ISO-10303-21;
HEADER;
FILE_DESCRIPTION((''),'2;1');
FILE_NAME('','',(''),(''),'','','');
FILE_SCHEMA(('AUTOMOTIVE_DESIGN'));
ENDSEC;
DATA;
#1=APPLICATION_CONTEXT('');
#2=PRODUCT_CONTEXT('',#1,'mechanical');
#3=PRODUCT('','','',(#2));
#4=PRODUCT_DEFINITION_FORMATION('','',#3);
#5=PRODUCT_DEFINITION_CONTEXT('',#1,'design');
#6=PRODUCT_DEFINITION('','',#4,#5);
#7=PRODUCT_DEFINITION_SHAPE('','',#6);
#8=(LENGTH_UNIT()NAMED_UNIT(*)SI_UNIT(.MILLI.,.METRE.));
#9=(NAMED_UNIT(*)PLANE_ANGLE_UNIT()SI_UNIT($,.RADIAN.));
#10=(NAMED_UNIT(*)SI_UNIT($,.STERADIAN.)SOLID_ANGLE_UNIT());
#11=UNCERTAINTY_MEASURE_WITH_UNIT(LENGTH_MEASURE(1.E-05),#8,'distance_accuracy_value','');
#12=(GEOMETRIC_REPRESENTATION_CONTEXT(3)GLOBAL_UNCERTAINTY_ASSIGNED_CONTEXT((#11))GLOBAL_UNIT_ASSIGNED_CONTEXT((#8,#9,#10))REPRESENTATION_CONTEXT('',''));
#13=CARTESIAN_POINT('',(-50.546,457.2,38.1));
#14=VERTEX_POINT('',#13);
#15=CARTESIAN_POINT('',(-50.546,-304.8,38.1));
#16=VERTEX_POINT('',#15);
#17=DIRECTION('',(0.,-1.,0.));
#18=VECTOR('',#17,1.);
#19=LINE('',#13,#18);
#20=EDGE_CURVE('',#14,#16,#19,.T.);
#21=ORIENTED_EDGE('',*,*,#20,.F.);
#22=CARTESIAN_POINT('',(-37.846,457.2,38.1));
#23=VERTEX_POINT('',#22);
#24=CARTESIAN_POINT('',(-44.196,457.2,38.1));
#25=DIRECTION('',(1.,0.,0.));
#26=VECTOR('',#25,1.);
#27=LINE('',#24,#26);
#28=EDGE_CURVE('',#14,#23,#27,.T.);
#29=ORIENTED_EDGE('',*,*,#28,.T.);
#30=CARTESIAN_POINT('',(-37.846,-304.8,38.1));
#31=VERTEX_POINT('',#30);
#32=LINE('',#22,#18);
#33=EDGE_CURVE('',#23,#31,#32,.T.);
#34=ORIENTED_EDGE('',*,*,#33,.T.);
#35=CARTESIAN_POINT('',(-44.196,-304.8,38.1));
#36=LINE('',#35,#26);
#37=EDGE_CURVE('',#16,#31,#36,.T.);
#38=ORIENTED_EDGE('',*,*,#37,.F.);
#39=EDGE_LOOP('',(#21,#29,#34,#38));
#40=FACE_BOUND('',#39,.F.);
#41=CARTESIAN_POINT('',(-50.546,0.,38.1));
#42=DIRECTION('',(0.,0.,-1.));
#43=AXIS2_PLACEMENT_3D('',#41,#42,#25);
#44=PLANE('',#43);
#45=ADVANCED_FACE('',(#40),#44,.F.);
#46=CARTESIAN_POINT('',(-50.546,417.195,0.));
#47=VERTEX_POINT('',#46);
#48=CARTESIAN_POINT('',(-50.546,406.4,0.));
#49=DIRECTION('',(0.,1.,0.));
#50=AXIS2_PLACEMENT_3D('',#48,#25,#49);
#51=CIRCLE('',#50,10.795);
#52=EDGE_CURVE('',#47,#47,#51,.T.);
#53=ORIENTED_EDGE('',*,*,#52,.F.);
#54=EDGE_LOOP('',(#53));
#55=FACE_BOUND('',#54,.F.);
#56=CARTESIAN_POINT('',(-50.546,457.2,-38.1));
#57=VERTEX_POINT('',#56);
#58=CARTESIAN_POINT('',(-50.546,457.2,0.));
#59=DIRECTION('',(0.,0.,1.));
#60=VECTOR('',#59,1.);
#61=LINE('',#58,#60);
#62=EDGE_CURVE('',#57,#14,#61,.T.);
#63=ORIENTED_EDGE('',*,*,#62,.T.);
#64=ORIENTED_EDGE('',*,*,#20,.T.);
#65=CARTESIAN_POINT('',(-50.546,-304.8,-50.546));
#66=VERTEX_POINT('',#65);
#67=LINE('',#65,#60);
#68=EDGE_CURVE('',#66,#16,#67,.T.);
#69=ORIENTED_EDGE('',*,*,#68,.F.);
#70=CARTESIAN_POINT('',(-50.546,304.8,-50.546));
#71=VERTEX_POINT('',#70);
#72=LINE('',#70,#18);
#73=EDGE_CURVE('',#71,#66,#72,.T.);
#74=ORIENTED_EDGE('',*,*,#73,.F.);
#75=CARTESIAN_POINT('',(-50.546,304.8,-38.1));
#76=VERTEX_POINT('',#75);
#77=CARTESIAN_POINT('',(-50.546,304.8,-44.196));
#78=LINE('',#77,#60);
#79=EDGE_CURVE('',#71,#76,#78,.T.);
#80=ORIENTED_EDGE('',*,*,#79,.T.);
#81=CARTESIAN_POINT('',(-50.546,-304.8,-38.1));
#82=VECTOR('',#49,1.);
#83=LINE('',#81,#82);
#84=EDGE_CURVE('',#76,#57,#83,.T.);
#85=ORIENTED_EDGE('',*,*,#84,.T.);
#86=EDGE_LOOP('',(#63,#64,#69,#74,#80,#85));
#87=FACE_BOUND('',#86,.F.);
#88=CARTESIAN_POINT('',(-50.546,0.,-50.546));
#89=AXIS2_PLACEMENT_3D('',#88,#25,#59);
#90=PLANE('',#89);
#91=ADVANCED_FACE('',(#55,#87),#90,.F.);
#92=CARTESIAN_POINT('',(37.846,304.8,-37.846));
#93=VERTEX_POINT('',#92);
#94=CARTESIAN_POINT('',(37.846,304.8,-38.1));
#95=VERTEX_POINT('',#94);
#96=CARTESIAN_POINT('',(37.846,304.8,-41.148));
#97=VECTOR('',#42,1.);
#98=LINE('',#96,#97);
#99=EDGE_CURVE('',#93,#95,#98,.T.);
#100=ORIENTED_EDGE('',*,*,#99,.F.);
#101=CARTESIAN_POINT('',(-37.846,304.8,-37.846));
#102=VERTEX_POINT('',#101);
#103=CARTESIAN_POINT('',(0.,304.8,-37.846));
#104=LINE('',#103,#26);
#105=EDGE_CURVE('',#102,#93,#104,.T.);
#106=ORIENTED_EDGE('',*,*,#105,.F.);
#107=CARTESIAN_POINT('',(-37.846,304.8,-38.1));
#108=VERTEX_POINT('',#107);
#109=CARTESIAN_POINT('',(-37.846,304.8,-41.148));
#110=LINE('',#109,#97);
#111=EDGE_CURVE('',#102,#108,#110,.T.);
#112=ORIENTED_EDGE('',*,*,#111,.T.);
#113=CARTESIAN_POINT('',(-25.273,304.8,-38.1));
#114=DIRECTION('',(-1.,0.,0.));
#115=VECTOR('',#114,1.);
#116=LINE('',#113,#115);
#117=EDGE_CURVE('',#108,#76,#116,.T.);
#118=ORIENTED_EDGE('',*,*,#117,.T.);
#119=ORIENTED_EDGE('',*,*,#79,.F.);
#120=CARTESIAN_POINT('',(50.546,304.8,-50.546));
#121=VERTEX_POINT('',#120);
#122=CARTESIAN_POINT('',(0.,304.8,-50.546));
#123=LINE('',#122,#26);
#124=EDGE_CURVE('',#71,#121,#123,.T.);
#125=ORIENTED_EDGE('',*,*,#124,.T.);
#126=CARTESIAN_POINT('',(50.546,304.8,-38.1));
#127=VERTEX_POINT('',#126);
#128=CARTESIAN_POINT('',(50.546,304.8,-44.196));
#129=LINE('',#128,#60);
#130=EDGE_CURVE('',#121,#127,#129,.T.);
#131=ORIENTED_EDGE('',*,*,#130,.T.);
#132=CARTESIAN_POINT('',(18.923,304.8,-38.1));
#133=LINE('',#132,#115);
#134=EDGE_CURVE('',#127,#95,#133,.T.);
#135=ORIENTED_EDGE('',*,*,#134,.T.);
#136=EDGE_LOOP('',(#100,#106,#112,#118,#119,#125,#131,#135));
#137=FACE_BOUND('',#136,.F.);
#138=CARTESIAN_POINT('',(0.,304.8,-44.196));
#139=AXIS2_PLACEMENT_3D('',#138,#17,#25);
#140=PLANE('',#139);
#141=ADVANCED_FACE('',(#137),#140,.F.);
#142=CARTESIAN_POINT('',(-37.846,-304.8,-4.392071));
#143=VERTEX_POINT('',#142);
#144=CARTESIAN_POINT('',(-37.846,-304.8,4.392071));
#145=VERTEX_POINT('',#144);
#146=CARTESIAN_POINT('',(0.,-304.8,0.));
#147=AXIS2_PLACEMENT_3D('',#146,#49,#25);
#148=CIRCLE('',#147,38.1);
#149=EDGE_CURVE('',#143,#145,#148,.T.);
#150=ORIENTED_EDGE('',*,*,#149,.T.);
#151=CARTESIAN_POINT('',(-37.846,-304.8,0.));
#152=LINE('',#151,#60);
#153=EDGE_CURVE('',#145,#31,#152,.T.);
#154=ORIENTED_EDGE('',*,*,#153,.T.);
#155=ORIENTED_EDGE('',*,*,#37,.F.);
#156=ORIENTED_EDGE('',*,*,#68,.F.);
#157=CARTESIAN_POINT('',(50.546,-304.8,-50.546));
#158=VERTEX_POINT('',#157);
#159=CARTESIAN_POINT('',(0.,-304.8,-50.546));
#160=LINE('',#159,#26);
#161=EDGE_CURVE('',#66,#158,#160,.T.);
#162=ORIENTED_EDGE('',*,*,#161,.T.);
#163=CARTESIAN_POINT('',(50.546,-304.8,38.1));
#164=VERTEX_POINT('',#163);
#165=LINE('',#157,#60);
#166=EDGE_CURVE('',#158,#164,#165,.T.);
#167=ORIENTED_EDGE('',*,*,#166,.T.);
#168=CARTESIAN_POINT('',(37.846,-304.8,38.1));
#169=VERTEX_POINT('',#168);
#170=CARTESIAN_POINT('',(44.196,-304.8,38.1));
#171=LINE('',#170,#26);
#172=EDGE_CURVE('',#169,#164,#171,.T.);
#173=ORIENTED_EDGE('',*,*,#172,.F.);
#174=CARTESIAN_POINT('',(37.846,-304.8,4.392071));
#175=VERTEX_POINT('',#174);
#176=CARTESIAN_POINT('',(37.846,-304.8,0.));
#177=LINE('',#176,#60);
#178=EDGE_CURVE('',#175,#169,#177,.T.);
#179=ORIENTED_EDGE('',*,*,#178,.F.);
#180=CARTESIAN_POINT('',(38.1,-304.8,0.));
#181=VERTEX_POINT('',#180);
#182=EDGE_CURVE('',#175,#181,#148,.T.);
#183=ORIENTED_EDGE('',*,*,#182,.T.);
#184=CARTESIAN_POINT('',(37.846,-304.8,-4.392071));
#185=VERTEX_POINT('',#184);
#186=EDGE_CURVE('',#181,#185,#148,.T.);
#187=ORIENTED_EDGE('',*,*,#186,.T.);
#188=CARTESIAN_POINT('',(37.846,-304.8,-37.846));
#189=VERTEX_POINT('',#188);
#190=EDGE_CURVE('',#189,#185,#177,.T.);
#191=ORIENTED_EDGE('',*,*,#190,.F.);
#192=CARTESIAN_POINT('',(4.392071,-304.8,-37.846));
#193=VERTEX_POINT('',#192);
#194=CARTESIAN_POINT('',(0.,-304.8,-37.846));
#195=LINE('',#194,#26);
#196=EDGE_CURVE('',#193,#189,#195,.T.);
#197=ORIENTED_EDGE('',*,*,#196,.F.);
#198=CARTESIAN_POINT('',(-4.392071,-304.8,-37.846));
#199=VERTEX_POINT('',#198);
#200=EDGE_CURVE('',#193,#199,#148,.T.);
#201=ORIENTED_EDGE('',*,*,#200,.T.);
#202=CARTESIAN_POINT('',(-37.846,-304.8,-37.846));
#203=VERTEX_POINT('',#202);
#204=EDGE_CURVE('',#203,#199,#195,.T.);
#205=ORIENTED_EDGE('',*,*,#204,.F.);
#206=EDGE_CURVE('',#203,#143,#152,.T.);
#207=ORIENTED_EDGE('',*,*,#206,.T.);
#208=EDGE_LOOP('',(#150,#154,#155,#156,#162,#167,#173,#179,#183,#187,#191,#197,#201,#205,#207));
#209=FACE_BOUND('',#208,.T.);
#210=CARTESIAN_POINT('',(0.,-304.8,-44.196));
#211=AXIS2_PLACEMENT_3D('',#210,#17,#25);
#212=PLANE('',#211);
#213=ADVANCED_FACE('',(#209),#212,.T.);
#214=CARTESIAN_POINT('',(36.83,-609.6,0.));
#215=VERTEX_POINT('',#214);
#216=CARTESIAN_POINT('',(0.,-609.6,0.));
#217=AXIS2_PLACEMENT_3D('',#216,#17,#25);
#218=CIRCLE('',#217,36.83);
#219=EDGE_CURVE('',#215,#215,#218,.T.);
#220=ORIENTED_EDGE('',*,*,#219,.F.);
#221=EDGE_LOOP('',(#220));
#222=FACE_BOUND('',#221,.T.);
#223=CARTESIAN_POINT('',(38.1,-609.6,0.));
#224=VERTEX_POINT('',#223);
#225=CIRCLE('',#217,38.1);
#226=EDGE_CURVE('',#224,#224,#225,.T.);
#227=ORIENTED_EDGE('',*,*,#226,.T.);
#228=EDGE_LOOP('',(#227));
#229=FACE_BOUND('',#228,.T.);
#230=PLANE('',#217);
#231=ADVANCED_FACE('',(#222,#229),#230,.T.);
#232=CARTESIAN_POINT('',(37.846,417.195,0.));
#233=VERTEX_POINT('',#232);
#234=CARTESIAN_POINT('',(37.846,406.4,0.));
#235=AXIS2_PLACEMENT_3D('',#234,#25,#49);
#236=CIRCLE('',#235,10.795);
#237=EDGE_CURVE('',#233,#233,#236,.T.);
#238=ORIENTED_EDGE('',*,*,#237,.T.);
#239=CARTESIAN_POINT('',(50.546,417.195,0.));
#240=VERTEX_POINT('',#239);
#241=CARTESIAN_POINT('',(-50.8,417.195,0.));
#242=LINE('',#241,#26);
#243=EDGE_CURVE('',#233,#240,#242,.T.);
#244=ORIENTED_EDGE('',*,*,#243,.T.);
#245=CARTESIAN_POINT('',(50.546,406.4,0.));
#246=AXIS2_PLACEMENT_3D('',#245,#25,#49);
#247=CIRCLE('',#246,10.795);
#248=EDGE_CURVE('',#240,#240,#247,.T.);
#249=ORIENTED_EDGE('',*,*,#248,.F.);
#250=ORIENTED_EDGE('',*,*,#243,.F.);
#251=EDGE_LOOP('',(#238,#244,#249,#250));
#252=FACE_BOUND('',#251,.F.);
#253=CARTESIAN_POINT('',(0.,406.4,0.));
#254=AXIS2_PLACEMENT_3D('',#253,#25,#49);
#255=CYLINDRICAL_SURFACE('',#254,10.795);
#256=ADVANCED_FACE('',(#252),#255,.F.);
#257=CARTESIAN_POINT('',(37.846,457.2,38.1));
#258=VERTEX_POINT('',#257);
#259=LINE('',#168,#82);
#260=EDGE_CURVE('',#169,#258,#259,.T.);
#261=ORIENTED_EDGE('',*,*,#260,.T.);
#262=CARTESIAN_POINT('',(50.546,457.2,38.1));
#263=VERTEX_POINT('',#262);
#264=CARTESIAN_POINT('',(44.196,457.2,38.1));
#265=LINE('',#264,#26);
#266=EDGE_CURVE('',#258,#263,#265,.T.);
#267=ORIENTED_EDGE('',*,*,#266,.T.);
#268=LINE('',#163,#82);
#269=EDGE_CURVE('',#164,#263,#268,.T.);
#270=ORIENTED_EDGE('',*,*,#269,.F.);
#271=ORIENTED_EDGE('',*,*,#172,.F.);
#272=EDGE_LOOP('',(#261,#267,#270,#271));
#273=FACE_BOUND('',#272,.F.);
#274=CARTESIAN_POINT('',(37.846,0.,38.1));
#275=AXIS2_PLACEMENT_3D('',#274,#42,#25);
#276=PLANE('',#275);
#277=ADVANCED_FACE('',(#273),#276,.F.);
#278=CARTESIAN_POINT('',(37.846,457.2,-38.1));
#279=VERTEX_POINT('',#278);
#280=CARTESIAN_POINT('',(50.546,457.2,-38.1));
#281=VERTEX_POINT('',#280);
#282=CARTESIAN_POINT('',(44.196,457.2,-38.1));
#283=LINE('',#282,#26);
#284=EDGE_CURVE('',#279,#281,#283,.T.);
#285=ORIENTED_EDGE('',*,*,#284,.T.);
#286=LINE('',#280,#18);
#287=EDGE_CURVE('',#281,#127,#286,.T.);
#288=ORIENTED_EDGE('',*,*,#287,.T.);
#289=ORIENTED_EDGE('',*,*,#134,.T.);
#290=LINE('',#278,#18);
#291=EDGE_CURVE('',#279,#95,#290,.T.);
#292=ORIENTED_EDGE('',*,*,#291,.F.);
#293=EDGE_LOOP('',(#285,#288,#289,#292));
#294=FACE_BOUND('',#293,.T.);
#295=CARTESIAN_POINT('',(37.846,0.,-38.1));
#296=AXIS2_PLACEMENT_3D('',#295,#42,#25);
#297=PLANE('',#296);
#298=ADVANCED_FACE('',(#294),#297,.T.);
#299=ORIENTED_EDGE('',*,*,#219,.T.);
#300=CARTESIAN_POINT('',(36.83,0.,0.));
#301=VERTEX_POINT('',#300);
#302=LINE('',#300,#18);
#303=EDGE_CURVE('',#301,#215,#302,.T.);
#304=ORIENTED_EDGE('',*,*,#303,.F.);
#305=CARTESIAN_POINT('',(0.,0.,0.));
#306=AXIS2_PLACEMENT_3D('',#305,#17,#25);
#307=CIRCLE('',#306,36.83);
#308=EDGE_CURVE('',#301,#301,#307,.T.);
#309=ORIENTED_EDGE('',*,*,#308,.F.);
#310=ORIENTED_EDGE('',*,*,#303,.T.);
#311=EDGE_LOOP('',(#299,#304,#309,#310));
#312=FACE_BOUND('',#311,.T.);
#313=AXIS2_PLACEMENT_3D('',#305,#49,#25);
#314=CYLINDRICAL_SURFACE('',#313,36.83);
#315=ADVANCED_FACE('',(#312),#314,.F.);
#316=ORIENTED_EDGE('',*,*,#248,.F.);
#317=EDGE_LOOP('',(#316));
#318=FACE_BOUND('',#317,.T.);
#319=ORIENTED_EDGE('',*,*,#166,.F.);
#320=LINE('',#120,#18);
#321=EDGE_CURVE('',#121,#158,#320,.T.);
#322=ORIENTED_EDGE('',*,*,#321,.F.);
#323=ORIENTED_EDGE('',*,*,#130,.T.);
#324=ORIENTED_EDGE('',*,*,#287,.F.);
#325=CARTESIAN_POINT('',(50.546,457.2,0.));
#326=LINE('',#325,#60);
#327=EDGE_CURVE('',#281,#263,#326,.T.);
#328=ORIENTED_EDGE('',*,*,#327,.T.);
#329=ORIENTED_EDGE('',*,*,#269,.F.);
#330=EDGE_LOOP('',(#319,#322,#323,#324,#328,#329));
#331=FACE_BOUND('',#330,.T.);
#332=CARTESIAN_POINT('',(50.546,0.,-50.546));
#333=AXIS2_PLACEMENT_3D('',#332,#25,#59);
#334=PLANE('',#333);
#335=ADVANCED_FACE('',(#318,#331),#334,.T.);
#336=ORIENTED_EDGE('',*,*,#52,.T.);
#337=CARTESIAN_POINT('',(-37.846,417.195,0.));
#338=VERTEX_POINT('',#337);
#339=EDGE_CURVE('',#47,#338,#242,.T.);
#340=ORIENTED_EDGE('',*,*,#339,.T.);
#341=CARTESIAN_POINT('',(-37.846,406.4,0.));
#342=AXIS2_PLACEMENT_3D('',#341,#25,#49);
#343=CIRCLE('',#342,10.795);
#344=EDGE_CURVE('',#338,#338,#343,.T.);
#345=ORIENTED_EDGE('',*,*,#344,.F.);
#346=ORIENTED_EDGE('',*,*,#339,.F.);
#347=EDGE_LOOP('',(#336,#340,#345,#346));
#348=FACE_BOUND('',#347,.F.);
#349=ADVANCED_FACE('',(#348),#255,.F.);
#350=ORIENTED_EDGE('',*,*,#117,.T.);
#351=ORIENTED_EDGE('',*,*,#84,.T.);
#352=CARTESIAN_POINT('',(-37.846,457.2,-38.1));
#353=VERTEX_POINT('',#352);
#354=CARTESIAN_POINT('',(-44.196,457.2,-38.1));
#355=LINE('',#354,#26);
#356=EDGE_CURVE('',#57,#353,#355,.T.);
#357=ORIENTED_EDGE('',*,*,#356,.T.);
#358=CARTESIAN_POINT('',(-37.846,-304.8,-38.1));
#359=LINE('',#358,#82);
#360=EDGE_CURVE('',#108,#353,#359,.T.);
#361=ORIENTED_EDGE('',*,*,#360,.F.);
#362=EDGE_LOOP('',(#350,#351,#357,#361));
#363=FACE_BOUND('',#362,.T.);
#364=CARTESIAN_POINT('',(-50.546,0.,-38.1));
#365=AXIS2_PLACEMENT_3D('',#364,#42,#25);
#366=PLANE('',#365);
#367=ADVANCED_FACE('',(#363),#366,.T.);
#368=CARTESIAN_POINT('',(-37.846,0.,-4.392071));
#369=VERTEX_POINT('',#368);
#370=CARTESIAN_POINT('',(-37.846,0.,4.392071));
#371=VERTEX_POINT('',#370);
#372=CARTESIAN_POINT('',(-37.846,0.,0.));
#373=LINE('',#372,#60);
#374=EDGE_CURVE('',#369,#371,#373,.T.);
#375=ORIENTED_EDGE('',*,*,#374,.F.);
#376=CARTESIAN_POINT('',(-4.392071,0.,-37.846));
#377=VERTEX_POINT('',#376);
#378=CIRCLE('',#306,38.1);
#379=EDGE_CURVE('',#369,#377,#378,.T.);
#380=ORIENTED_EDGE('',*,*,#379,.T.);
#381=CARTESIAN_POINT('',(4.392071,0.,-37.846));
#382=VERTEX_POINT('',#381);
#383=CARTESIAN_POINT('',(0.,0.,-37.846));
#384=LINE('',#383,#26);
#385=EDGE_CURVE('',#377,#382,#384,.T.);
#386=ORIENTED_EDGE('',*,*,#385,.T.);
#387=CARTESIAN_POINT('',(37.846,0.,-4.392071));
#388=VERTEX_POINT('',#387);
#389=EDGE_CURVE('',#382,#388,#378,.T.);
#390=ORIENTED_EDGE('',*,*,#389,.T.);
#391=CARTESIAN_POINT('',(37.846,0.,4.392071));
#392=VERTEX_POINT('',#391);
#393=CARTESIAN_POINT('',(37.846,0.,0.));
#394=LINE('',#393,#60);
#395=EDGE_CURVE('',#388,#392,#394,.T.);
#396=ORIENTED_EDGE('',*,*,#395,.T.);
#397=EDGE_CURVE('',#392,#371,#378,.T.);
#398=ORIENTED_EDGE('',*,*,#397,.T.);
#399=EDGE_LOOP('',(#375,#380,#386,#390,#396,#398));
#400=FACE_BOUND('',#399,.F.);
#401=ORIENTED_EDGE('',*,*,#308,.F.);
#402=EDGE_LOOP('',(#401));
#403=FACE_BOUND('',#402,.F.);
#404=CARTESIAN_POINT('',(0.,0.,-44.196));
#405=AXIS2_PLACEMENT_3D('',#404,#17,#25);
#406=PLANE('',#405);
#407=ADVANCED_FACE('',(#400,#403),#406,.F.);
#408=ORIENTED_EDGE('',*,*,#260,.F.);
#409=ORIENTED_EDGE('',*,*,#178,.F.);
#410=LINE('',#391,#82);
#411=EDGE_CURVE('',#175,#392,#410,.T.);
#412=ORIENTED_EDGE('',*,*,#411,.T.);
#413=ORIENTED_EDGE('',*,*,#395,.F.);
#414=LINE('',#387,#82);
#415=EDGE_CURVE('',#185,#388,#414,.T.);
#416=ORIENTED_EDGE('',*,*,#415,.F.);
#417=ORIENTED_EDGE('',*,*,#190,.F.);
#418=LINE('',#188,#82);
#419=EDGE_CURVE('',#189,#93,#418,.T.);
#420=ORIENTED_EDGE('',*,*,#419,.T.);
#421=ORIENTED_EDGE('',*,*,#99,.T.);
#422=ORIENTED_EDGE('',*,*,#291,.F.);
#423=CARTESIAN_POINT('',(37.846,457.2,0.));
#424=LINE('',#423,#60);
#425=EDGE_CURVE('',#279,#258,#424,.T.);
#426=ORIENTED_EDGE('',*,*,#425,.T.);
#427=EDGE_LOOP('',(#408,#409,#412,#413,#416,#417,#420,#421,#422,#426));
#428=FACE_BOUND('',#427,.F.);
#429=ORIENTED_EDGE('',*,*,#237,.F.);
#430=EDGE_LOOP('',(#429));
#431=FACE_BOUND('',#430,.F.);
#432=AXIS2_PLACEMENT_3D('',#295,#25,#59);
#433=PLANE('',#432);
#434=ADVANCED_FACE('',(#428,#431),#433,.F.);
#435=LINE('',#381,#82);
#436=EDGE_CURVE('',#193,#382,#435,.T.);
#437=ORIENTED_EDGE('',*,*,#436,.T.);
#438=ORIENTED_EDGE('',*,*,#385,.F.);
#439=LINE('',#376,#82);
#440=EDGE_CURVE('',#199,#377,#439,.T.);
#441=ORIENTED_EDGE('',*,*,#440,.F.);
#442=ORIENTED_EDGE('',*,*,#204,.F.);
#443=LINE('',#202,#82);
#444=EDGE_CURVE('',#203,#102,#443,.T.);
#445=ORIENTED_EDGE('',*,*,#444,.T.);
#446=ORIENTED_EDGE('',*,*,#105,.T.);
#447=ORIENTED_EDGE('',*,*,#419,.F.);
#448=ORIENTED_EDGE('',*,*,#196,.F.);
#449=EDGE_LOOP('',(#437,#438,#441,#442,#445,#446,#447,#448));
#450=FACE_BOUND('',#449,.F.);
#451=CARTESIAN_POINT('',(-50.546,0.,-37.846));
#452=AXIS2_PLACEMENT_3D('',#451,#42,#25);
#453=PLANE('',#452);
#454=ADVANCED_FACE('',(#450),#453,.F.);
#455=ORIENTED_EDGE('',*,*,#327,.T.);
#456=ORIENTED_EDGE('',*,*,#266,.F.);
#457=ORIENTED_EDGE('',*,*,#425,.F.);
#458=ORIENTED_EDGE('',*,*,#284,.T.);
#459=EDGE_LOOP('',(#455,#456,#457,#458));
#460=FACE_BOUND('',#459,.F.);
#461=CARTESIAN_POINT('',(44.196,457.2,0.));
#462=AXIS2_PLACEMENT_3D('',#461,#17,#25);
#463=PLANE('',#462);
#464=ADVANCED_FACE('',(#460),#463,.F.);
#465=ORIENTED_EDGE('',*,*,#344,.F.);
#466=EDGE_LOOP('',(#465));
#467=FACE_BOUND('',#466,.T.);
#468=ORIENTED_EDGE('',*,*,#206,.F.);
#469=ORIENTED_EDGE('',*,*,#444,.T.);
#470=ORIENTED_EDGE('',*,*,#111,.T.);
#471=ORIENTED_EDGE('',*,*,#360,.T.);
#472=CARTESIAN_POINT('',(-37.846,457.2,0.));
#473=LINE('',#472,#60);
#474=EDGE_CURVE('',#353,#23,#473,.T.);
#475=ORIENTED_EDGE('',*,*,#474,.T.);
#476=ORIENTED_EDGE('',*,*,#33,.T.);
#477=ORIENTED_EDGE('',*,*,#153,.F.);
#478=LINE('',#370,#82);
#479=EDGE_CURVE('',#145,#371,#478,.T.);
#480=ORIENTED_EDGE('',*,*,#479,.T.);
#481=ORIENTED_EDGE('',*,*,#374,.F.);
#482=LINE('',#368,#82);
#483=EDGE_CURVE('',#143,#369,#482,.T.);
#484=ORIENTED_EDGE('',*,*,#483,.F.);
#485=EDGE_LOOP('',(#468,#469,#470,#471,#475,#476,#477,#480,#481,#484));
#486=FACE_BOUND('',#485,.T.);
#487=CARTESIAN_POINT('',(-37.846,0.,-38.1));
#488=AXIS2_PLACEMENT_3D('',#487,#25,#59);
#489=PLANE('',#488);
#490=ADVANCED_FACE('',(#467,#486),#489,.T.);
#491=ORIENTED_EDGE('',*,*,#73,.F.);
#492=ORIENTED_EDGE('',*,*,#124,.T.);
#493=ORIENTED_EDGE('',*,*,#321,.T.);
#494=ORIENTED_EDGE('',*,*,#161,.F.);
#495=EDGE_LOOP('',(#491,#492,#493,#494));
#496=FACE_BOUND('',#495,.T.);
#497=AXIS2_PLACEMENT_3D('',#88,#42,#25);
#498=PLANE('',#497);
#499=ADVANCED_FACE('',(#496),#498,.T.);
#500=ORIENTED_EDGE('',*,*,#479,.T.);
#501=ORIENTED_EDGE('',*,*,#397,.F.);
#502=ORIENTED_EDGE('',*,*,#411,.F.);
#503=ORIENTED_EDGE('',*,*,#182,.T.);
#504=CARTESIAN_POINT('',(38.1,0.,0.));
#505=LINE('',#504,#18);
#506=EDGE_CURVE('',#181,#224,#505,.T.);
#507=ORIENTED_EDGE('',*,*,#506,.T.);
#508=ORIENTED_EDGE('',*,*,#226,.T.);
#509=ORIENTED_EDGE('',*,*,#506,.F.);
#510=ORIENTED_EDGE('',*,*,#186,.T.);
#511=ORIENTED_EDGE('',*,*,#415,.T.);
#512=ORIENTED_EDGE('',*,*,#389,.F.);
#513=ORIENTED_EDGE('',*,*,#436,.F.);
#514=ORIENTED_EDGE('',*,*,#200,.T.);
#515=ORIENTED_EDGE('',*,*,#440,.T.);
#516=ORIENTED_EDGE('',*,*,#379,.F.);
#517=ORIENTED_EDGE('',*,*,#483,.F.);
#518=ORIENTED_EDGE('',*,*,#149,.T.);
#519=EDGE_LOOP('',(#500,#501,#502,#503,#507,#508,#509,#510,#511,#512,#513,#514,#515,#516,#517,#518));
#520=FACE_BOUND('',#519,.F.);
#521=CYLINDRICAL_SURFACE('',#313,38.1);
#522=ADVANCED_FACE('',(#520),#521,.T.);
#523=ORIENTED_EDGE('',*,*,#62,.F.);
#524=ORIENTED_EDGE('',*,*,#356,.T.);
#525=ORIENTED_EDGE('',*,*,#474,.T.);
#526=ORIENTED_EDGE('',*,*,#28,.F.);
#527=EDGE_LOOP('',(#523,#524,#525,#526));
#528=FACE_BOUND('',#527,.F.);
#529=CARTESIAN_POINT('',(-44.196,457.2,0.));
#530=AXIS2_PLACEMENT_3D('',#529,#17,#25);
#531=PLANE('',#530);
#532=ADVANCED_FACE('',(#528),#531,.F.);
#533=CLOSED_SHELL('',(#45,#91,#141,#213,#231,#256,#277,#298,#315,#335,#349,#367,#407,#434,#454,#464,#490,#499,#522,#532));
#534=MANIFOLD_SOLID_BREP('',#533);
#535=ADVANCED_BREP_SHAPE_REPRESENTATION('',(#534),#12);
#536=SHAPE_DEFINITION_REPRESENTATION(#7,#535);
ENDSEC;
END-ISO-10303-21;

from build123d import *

# Parameters (mm, degrees)
F0_R     = 38.1
F0_R_2   = 36.83
F1_DEPTH = 609.6
F2_W     = 12.7
F2_H     = 76.2
F3_DEPTH = 304.8
F4_DEPTH = 457.2
F5_W     = 101.092
F5_H     = 12.7
F6_DEPTH = 304.8
F7_DEPTH = 304.8
F8_R     = 10.795
F9_DEPTH = 50.8


with BuildPart() as f1:
    # F0 (on Front) → F1 (new body)
    with BuildSketch(Plane.XZ):
        Circle(F0_R)
        Circle(F0_R_2, mode=Mode.SUBTRACT)
    extrude(amount=F1_DEPTH)

    # F2 (on Front) → F3 (join)
    with BuildSketch(Plane.XZ):
        with Locations((44.196, 0)):
            Rectangle(F2_W, F2_H)
        with Locations((-44.196, 0)):
            Rectangle(F2_W, F2_H)
    extrude(amount=F3_DEPTH)

    # F2 (on Front) → F4 (join)
    with BuildSketch(Plane.XZ):
        with Locations((44.196, 0)):
            Rectangle(F2_W, F2_H)
        with Locations((-44.196, 0)):
            Rectangle(F2_W, F2_H)
    extrude(amount=-F4_DEPTH)

    # F5 (on Front) → F6 (join)
    with BuildSketch(Plane.XZ):
        with Locations((0, -44.196)):
            Rectangle(F5_W, F5_H)
    extrude(amount=F6_DEPTH)

    # F5 (on Front) → F7 (join)
    with BuildSketch(Plane.XZ):
        with Locations((0, -44.196)):
            Rectangle(F5_W, F5_H)
    extrude(amount=-F7_DEPTH)

    # F8 (on Right) → F9 (cut, symmetric)
    with BuildSketch(Plane.YZ):
        with Locations((406.4, 0)):
            Circle(F8_R)
    extrude(amount=F9_DEPTH, both=True, mode=Mode.SUBTRACT)


solid = f1.part
